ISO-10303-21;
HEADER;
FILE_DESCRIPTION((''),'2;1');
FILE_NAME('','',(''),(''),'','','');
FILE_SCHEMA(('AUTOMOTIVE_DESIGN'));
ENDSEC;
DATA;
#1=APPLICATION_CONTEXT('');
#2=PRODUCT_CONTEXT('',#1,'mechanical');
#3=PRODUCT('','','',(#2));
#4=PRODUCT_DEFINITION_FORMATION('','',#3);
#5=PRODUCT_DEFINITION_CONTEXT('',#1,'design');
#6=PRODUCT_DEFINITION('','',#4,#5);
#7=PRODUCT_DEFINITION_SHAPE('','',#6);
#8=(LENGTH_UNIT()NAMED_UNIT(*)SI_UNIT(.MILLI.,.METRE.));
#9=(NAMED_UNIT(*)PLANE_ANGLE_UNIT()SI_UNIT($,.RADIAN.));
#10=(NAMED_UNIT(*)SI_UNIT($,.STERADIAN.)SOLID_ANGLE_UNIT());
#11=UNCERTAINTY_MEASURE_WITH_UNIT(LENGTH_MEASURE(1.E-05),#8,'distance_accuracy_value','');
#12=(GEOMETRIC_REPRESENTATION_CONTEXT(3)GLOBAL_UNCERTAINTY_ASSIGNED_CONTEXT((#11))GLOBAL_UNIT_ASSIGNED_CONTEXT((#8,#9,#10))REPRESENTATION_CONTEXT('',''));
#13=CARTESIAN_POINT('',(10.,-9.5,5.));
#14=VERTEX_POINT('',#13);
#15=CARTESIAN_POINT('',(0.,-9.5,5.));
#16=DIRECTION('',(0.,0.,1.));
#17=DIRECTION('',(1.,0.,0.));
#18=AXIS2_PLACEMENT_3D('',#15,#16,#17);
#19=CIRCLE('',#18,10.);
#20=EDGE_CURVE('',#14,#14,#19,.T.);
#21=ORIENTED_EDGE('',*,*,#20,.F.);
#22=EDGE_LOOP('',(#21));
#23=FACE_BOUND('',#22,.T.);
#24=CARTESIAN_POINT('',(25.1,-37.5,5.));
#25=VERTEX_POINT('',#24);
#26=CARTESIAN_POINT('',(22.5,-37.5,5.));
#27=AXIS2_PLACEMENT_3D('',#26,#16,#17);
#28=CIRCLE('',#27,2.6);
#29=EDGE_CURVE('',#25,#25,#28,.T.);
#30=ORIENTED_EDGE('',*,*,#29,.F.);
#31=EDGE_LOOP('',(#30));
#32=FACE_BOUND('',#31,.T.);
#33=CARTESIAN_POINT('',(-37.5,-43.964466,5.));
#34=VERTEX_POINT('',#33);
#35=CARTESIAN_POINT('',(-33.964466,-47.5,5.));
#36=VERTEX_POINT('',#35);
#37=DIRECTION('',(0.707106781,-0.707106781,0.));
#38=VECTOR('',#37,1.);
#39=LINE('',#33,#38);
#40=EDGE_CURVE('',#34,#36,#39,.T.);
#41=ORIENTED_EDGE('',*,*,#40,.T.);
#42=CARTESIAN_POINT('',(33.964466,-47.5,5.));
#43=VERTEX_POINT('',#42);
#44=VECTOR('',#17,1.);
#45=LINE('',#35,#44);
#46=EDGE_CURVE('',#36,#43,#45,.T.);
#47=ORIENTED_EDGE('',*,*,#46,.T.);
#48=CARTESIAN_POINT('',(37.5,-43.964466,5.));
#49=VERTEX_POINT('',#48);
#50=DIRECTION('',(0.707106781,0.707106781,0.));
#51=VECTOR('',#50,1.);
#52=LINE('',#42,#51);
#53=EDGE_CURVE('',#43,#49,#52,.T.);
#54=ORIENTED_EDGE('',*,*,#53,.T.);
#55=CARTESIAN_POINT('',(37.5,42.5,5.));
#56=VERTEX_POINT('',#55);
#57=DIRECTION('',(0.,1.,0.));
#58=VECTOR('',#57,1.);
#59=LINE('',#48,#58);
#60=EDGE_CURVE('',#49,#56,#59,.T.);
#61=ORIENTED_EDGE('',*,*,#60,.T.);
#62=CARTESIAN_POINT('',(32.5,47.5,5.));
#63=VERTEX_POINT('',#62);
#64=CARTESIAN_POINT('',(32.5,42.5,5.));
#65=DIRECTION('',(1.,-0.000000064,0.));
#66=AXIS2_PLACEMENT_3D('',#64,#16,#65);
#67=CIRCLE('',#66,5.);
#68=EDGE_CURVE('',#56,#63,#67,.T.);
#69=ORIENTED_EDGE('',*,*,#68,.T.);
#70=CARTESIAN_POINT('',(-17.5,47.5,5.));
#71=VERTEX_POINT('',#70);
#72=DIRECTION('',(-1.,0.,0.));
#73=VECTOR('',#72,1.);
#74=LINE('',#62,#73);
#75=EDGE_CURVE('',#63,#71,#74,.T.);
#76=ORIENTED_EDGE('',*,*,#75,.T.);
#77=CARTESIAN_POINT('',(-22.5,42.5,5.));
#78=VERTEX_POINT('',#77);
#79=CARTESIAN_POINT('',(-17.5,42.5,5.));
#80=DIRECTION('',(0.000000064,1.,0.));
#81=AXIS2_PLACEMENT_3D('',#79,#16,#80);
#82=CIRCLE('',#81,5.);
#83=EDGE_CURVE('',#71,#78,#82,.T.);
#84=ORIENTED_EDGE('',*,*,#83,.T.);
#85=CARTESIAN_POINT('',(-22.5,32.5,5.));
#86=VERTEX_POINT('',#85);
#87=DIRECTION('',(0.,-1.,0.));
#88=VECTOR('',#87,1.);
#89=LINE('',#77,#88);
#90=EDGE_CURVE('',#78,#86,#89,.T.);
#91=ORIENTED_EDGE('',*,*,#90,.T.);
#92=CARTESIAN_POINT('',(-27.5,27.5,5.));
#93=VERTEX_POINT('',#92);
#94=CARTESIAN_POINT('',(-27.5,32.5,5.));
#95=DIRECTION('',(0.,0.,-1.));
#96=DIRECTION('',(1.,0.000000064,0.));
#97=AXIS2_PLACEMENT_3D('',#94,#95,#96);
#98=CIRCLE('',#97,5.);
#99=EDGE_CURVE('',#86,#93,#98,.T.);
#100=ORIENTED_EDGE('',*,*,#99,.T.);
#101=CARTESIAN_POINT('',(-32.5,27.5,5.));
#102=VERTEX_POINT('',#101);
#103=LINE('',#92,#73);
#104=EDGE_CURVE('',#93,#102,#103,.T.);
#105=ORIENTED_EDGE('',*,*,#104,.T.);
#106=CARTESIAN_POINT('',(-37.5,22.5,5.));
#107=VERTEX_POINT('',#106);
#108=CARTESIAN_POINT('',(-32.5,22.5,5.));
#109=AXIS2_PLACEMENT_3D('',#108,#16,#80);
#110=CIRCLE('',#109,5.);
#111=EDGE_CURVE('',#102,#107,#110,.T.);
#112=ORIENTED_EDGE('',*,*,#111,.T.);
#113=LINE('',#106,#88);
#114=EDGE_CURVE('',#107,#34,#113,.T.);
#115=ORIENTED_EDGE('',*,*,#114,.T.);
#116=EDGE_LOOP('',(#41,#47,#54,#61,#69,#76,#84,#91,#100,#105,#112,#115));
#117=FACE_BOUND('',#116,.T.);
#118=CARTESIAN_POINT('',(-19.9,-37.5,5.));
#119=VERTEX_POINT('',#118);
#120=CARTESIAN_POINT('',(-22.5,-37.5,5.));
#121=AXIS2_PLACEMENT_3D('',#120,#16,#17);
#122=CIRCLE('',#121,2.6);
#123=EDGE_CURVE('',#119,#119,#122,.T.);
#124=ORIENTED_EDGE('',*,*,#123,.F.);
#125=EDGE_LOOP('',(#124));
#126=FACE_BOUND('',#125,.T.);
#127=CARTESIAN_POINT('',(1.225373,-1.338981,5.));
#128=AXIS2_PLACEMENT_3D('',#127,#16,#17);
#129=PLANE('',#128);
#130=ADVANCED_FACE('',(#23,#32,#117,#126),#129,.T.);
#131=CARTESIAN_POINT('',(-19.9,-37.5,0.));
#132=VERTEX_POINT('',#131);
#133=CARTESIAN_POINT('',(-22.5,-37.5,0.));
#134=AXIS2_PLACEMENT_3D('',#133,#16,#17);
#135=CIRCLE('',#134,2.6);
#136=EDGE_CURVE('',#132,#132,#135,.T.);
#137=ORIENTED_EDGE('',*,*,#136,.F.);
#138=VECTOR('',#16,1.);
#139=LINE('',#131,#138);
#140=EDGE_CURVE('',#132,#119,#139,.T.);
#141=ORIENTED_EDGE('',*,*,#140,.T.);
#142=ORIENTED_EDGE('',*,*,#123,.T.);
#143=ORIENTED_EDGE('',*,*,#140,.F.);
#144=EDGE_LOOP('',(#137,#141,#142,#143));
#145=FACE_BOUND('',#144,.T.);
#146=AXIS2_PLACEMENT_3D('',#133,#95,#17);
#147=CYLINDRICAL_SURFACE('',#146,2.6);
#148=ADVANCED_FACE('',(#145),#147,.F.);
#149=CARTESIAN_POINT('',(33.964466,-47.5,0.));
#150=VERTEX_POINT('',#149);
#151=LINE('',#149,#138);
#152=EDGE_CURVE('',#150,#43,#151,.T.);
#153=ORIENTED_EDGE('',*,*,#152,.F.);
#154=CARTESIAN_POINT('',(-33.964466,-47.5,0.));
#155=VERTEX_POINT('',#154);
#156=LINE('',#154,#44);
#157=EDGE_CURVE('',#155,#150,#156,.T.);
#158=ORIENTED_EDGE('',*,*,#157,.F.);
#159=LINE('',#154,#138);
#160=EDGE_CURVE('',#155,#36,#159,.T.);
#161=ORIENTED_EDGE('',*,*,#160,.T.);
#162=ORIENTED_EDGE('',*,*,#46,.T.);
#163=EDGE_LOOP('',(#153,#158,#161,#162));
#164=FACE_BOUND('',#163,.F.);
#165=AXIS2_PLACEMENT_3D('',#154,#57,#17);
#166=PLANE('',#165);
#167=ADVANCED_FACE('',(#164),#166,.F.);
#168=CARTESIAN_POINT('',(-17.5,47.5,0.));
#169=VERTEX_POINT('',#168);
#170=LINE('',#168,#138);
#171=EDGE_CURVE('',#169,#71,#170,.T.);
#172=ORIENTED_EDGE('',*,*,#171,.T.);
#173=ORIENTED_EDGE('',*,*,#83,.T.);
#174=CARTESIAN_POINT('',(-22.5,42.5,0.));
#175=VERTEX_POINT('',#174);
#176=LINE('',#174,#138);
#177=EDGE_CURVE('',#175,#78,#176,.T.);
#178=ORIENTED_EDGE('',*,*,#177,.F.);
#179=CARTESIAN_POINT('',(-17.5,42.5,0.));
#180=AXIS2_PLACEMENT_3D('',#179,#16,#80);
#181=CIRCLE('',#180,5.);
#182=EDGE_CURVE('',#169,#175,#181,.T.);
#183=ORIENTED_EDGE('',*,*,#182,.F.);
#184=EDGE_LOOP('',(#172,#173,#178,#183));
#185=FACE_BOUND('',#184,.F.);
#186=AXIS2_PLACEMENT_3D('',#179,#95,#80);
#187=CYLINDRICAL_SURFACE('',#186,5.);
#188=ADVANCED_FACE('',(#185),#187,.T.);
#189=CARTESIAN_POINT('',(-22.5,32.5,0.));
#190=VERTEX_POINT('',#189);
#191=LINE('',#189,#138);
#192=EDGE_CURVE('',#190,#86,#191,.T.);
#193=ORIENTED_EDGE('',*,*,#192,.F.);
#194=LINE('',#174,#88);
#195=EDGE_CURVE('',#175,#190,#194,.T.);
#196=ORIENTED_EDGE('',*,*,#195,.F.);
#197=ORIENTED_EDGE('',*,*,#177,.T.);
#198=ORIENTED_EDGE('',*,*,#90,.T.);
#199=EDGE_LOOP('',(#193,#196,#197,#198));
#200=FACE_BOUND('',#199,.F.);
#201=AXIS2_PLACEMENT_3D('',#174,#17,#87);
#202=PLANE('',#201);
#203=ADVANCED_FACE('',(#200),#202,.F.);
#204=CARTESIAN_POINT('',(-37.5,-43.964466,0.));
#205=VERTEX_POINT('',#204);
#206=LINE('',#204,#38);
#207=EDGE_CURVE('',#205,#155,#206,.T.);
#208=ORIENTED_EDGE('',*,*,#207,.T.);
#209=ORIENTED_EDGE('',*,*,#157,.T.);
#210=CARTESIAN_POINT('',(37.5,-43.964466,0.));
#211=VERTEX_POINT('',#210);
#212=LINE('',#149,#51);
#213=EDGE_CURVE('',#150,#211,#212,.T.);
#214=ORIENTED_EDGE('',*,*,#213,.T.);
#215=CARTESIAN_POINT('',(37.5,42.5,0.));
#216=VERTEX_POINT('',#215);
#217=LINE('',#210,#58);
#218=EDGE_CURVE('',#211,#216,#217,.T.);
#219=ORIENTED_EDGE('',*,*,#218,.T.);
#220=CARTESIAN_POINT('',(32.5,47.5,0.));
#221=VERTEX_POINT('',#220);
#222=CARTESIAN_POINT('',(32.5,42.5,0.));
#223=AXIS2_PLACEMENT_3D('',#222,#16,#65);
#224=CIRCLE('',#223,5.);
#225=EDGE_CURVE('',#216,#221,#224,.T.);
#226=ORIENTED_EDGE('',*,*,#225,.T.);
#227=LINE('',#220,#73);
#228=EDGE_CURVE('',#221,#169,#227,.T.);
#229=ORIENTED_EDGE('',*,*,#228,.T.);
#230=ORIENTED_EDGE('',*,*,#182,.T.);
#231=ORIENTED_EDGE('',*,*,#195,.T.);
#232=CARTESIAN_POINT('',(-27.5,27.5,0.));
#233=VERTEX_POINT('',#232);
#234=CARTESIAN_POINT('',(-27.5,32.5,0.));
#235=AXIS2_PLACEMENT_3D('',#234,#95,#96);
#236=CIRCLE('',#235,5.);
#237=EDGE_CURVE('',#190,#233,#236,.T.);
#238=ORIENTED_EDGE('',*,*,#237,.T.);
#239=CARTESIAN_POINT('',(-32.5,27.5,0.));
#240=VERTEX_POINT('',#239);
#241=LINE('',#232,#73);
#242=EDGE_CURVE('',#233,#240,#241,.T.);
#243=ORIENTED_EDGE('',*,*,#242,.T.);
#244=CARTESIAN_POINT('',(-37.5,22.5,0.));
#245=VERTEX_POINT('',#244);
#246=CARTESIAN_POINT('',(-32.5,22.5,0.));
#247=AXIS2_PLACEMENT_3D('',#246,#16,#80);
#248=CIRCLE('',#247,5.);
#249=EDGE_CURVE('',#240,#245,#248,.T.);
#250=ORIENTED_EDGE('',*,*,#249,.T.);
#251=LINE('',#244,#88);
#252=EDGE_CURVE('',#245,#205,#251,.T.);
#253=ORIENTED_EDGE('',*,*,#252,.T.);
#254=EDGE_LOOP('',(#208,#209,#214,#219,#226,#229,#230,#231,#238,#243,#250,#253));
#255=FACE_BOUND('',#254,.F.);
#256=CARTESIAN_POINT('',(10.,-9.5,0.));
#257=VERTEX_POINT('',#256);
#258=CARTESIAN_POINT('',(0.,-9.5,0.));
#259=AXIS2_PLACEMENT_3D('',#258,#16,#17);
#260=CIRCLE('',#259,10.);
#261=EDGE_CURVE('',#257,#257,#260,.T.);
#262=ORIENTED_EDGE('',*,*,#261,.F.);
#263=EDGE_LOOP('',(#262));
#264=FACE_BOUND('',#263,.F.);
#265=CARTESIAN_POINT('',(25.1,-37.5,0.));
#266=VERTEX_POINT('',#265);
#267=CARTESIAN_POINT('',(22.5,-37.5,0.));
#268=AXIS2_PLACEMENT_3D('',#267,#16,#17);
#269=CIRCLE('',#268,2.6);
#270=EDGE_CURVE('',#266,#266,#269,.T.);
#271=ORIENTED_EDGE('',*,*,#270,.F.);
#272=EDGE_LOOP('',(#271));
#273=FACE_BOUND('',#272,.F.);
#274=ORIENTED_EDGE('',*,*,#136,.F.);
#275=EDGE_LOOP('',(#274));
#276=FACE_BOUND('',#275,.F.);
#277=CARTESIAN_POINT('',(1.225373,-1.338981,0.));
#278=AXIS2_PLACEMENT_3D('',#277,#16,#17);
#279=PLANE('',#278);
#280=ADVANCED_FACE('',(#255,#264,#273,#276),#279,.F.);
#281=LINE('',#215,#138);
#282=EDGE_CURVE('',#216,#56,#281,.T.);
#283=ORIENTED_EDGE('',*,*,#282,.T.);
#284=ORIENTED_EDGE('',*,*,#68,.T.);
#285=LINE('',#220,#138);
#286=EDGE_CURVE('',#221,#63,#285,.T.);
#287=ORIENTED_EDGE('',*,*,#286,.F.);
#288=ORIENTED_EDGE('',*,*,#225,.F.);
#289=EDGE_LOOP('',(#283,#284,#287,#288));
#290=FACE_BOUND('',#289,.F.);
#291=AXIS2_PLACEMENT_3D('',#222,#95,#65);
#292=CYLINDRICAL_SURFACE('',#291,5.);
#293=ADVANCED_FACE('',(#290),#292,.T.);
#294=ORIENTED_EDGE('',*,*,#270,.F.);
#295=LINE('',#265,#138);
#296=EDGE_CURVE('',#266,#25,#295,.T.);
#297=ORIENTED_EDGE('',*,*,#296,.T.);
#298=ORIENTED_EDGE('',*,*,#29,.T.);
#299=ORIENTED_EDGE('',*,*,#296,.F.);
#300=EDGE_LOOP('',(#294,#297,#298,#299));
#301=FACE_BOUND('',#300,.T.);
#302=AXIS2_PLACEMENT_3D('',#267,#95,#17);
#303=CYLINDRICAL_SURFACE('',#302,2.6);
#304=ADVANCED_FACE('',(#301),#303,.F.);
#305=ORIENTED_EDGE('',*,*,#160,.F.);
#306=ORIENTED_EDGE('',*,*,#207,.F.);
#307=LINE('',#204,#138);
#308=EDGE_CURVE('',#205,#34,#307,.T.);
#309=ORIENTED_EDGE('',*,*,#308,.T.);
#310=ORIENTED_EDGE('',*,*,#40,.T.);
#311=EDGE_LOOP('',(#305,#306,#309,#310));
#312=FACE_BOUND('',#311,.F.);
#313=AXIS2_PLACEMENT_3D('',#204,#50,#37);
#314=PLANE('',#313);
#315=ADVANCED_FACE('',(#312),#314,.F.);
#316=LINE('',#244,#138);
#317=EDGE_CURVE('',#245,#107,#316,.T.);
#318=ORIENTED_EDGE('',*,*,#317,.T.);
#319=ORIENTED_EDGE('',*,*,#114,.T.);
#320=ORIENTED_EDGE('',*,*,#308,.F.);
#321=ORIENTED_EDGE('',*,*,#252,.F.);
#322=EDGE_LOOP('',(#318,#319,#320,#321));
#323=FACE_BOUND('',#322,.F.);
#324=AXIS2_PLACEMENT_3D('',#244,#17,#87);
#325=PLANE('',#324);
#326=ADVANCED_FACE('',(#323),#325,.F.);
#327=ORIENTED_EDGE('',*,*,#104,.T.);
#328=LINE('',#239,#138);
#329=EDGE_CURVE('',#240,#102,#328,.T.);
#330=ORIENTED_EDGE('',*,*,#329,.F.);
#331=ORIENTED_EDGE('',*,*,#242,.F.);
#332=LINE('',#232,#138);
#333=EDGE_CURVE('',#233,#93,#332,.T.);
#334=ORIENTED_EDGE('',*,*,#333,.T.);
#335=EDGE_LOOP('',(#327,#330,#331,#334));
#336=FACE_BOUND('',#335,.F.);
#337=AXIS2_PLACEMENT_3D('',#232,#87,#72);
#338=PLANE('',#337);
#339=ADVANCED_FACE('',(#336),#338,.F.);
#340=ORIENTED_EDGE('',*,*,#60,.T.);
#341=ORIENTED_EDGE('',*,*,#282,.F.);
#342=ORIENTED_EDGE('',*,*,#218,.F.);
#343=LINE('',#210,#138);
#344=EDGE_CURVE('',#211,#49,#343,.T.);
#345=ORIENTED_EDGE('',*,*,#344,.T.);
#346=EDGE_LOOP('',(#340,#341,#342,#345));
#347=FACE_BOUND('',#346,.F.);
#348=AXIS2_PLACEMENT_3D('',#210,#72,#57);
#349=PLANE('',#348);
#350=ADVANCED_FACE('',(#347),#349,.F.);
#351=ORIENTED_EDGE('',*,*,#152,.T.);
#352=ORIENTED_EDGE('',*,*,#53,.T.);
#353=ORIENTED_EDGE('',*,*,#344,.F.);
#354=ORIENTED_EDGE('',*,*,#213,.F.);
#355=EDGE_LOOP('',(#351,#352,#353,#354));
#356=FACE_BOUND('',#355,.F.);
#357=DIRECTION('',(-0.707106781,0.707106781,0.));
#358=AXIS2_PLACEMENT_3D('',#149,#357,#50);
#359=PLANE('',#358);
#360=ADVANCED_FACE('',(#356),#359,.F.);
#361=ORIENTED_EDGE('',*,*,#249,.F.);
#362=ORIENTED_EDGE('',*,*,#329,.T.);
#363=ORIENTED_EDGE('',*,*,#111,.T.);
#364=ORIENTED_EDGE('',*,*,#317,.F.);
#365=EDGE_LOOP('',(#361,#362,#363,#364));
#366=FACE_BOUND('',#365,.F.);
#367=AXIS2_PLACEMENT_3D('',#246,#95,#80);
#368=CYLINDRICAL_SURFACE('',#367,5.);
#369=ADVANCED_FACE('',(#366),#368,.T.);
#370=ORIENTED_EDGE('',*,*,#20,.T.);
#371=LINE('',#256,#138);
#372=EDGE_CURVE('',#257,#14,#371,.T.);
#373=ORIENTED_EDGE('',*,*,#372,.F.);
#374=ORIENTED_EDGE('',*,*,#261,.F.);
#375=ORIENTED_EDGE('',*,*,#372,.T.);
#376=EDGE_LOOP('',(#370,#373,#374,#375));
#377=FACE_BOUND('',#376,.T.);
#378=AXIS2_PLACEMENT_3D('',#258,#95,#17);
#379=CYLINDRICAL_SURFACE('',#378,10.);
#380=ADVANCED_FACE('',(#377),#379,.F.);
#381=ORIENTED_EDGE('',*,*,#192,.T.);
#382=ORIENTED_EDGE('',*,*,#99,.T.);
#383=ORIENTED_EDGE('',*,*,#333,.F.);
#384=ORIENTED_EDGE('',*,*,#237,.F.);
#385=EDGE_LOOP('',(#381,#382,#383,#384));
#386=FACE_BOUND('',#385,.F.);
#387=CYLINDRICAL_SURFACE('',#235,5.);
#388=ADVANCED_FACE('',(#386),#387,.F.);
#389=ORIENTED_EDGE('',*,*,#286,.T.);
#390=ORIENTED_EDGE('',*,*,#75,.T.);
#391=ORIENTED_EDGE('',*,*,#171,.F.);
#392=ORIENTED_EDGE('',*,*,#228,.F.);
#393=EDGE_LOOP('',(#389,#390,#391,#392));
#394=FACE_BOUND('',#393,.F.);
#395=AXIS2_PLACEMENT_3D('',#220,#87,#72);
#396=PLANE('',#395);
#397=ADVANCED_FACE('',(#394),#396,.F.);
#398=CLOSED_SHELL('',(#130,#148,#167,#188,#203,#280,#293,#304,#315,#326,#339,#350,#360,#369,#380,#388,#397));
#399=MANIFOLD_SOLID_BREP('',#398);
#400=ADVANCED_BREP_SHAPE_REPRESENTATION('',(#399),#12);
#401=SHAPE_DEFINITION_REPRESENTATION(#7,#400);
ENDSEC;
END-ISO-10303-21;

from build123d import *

# Parameters (mm, degrees)
F0_R     = 2.6
F0_R_2   = 10
F1_DEPTH = 5


with BuildPart() as f1:
    # F0 (on Top) → F1 (new body)
    with BuildSketch(Plane.XY):
        with BuildLine():
            Line((-33.964466, -47.5), (33.964466, -47.5))
            Line((33.964466, -47.5), (37.5, -43.964466))
            Line((37.5, -43.964466), (37.5, 42.5))
            ThreePointArc((37.5, 42.5), (36.035534, 46.035534), (32.5, 47.5))
            Line((32.5, 47.5), (-17.5, 47.5))
            ThreePointArc((-17.5, 47.5), (-21.035534, 46.035534), (-22.5, 42.5))
            Line((-22.5, 42.5), (-22.5, 32.5))
            ThreePointArc((-22.5, 32.5), (-23.964466, 28.964466), (-27.5, 27.5))
            Line((-27.5, 27.5), (-32.5, 27.5))
            ThreePointArc((-32.5, 27.5), (-36.035534, 26.035534), (-37.5, 22.5))
            Line((-37.5, 22.5), (-37.5, -43.964466))
            Line((-37.5, -43.964466), (-33.964466, -47.5))
        make_face()
        with Locations((-22.5, -37.5)):
            Circle(F0_R, mode=Mode.SUBTRACT)
        with Locations((22.5, -37.5)):
            Circle(F0_R, mode=Mode.SUBTRACT)
        with Locations((0, -9.5)):
            Circle(F0_R_2, mode=Mode.SUBTRACT)
    extrude(amount=F1_DEPTH)


solid = f1.part
